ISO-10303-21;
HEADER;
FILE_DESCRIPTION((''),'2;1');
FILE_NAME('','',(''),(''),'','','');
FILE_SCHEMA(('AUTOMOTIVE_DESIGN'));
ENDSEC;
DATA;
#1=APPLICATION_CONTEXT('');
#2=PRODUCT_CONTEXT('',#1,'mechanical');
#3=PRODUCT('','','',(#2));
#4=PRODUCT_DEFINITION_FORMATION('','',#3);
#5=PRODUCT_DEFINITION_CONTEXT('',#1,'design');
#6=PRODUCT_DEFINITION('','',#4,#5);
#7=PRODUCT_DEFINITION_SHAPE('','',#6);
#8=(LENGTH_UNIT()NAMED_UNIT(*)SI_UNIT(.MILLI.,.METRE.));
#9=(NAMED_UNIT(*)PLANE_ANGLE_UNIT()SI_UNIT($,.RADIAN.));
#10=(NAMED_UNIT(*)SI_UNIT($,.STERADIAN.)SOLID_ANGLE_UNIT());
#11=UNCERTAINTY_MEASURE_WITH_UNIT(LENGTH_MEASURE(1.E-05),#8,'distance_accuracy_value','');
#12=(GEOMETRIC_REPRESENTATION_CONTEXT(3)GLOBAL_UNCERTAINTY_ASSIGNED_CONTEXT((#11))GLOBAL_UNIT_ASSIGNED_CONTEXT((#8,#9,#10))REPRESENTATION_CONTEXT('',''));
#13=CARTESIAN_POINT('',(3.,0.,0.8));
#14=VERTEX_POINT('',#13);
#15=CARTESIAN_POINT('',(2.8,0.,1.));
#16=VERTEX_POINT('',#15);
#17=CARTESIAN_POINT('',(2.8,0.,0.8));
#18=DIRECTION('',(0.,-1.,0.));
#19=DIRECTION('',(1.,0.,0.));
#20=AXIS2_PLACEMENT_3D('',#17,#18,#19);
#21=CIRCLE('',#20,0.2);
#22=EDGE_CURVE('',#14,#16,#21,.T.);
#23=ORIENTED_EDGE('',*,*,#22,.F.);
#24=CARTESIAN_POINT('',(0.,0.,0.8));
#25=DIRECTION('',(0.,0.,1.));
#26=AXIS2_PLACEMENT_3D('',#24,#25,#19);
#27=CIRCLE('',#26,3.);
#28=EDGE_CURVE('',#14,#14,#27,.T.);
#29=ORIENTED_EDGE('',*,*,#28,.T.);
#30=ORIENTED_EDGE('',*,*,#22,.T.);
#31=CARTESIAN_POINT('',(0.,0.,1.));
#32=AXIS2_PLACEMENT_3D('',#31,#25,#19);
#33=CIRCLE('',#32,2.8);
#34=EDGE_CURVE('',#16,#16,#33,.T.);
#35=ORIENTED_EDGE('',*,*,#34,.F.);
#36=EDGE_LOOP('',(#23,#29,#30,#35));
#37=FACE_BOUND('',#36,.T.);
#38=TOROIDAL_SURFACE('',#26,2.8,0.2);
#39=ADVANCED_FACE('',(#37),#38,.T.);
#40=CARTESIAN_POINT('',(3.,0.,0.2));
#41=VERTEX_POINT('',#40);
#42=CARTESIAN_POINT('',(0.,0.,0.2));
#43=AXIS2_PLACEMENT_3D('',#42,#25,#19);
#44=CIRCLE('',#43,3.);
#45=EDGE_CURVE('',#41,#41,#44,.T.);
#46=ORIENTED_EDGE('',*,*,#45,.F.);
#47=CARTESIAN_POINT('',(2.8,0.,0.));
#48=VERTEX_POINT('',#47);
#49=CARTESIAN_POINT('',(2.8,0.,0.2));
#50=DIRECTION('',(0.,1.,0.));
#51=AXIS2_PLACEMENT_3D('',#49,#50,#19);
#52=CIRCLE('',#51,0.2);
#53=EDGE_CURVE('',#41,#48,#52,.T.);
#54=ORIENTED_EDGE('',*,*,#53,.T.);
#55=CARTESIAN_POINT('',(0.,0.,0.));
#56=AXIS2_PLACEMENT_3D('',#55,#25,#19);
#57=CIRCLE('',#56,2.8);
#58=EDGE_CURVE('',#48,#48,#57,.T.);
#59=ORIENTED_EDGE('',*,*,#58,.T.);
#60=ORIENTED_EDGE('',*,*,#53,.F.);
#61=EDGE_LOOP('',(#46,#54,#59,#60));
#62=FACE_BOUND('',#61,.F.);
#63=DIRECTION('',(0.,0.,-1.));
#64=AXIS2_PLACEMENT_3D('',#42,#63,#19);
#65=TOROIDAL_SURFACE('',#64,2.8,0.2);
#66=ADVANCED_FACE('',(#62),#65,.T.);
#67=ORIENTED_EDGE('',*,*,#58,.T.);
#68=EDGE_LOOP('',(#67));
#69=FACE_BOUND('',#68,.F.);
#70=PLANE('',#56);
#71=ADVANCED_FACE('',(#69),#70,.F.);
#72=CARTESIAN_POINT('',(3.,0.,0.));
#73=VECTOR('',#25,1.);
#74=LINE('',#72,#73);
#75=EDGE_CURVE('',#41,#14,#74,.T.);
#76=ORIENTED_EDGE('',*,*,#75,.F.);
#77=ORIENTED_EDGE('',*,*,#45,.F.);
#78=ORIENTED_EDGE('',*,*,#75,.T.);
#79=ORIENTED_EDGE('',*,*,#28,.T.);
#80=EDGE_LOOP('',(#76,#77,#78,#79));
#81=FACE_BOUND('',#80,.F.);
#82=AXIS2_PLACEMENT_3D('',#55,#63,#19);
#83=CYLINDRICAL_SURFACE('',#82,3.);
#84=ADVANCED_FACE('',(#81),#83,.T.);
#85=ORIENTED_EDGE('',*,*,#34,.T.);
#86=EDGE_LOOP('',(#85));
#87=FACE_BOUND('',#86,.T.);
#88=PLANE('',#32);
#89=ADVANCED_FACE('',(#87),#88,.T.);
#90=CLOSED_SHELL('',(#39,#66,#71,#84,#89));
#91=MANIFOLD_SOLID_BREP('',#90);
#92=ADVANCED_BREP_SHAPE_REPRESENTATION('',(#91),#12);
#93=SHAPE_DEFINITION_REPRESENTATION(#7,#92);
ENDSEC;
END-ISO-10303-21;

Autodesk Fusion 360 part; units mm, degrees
sketch "スケッチ1" plane through (0, 0, 0) normal (0, 0, 1) x (1, 0, 0)
  circle A0 centre (0, 0) radius 3
  dimension "d1" = 6
extrude "押し出し1" add sketch "スケッチ1" along normal blind 1
fillet "フィレット1" radius 0.2 2 edges at (-2.797, -1.0848, 1) (-2.797, -1.0848, 0)
